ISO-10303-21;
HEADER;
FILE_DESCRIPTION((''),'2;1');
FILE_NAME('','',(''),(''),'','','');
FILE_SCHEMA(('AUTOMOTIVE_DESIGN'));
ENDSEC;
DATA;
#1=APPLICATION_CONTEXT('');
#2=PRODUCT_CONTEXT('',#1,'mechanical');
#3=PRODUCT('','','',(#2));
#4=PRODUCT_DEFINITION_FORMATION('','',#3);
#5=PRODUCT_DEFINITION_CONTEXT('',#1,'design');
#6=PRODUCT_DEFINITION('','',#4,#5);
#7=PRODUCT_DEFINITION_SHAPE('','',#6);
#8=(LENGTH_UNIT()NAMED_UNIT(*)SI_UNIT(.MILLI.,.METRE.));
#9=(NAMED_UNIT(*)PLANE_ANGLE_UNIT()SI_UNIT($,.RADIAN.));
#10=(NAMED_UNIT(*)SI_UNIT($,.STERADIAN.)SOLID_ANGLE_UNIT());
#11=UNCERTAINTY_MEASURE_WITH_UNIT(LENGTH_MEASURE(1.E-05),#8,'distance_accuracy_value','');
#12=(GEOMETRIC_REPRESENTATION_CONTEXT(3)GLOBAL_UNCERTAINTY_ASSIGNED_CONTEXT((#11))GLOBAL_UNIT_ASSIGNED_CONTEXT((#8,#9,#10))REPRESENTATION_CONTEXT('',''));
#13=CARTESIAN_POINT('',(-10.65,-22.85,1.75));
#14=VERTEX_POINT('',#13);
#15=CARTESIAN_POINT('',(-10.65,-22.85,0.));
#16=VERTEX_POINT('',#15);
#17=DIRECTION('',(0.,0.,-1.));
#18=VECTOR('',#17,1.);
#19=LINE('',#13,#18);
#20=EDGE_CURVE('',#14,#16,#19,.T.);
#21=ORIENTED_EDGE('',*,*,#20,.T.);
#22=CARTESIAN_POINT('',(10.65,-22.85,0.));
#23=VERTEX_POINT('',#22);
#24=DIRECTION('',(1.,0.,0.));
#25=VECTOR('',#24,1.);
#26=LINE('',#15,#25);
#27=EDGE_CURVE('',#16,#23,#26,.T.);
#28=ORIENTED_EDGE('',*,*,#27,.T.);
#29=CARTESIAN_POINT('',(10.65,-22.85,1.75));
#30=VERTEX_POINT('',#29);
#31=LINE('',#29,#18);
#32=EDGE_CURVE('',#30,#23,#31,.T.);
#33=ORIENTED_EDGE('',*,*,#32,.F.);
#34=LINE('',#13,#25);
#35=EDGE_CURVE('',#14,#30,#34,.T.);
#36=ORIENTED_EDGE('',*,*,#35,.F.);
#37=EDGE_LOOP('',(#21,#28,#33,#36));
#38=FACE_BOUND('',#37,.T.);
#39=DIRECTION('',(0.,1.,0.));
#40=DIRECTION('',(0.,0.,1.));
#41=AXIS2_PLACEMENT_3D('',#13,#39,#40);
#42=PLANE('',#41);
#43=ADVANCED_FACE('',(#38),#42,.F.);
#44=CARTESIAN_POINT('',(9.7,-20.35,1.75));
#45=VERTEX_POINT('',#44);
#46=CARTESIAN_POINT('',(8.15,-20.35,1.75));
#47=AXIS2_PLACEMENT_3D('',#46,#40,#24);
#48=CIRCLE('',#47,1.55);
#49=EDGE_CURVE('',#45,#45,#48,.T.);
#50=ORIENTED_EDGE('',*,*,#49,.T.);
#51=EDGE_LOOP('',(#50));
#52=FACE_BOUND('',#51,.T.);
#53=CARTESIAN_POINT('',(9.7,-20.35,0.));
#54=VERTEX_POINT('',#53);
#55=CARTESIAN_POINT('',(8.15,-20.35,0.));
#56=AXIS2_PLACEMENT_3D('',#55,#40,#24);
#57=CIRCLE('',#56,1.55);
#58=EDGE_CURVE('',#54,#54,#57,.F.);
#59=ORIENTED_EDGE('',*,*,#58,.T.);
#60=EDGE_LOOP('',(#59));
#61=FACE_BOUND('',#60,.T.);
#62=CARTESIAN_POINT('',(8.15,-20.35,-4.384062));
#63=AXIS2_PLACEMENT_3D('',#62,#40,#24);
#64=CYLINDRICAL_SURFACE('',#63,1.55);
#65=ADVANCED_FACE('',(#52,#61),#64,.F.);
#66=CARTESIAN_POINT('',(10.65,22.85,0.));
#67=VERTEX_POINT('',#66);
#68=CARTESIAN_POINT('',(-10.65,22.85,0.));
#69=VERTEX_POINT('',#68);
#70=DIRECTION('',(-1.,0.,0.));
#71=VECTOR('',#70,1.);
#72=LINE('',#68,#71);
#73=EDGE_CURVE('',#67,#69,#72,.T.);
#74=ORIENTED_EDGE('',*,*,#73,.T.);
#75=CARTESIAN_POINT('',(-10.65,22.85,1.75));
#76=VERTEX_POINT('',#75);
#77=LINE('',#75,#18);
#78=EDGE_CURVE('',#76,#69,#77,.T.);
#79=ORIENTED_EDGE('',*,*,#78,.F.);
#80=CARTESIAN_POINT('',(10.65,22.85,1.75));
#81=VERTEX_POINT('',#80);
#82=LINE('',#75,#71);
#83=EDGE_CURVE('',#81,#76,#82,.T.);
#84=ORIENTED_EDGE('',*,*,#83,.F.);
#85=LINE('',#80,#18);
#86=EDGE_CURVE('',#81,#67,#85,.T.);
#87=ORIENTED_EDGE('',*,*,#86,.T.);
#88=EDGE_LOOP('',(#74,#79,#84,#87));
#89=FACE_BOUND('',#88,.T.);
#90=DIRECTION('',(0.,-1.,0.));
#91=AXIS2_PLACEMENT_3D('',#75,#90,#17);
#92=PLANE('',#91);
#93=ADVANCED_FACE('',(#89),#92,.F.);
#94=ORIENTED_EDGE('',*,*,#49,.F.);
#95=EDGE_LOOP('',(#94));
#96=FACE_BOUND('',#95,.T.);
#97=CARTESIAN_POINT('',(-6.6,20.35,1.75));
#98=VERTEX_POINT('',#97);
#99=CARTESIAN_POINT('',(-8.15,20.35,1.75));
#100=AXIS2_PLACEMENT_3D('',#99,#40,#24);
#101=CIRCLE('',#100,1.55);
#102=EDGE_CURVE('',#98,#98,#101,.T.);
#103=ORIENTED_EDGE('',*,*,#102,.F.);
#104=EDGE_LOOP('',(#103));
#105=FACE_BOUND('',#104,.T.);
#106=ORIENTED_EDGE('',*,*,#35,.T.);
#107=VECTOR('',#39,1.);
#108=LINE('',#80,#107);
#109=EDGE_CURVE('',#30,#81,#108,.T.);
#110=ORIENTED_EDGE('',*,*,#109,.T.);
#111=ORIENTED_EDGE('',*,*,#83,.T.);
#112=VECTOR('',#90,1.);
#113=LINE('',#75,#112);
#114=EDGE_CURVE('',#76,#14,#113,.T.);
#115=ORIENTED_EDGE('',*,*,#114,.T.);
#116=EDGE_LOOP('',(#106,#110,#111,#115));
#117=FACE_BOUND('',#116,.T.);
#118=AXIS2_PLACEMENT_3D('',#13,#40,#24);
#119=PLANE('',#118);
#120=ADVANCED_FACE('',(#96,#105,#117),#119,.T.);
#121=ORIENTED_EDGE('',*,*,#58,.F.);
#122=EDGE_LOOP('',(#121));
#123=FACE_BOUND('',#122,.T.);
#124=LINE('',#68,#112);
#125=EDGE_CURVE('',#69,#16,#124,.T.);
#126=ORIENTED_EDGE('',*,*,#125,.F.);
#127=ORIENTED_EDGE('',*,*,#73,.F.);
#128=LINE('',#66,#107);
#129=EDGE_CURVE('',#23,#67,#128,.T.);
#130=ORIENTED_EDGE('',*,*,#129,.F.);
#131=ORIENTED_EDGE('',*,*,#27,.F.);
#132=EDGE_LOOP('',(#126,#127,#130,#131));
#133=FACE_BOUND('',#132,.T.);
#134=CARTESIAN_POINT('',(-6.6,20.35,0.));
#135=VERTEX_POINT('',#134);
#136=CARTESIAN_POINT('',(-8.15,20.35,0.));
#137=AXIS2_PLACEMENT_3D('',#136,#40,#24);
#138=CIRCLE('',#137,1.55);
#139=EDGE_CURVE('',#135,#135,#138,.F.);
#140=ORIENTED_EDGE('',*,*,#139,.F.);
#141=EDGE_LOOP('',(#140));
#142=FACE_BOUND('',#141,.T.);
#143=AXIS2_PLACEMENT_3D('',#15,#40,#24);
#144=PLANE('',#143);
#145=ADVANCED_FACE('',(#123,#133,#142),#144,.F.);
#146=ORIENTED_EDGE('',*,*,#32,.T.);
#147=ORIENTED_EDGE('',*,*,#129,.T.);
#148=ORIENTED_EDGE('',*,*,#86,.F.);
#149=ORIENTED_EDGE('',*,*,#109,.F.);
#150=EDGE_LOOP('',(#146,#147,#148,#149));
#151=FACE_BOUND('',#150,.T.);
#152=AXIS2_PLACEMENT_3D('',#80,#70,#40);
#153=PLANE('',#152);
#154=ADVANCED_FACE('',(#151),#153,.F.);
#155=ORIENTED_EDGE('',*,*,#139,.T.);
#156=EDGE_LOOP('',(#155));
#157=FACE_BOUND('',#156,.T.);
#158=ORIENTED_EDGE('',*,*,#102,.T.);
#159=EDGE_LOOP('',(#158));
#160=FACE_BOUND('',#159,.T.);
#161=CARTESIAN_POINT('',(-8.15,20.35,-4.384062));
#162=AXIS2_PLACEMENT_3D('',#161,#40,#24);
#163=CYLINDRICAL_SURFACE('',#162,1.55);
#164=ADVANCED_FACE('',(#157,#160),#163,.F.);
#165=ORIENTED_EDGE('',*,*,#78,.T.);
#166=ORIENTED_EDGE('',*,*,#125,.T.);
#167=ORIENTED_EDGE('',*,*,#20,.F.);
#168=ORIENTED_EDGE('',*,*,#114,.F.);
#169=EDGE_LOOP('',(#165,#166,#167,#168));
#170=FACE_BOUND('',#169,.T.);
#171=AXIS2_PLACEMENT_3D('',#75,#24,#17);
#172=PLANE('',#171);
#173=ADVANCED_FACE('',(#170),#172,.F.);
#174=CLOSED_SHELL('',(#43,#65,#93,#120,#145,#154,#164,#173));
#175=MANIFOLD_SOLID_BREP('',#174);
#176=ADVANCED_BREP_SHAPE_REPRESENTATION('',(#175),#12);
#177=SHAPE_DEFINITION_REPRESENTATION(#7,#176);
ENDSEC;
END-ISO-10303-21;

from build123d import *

# Parameters (mm, degrees)
SKETCH1_W          = 21.3
SKETCH1_H          = 45.7
EXTRUDE1_DEPTH     = 1.75
SKETCH2_R          = 1.55
CUT_EXTRUDE1_DEPTH = 1.75


with BuildPart() as part:
    # Sketch1 → Extrude1 (new body)
    with BuildSketch(Plane.XY):
        Rectangle(SKETCH1_W, SKETCH1_H)
    extrude(amount=EXTRUDE1_DEPTH)

    # Sketch2 → Cut-Extrude1 (cut)
    with BuildSketch(Plane.XY.offset(1.75)):
        with Locations((8.15, -20.35)):
            Circle(SKETCH2_R)
        with Locations((-8.15, 20.35)):
            Circle(SKETCH2_R)
    extrude(amount=-CUT_EXTRUDE1_DEPTH, mode=Mode.SUBTRACT)


solid = part.part
